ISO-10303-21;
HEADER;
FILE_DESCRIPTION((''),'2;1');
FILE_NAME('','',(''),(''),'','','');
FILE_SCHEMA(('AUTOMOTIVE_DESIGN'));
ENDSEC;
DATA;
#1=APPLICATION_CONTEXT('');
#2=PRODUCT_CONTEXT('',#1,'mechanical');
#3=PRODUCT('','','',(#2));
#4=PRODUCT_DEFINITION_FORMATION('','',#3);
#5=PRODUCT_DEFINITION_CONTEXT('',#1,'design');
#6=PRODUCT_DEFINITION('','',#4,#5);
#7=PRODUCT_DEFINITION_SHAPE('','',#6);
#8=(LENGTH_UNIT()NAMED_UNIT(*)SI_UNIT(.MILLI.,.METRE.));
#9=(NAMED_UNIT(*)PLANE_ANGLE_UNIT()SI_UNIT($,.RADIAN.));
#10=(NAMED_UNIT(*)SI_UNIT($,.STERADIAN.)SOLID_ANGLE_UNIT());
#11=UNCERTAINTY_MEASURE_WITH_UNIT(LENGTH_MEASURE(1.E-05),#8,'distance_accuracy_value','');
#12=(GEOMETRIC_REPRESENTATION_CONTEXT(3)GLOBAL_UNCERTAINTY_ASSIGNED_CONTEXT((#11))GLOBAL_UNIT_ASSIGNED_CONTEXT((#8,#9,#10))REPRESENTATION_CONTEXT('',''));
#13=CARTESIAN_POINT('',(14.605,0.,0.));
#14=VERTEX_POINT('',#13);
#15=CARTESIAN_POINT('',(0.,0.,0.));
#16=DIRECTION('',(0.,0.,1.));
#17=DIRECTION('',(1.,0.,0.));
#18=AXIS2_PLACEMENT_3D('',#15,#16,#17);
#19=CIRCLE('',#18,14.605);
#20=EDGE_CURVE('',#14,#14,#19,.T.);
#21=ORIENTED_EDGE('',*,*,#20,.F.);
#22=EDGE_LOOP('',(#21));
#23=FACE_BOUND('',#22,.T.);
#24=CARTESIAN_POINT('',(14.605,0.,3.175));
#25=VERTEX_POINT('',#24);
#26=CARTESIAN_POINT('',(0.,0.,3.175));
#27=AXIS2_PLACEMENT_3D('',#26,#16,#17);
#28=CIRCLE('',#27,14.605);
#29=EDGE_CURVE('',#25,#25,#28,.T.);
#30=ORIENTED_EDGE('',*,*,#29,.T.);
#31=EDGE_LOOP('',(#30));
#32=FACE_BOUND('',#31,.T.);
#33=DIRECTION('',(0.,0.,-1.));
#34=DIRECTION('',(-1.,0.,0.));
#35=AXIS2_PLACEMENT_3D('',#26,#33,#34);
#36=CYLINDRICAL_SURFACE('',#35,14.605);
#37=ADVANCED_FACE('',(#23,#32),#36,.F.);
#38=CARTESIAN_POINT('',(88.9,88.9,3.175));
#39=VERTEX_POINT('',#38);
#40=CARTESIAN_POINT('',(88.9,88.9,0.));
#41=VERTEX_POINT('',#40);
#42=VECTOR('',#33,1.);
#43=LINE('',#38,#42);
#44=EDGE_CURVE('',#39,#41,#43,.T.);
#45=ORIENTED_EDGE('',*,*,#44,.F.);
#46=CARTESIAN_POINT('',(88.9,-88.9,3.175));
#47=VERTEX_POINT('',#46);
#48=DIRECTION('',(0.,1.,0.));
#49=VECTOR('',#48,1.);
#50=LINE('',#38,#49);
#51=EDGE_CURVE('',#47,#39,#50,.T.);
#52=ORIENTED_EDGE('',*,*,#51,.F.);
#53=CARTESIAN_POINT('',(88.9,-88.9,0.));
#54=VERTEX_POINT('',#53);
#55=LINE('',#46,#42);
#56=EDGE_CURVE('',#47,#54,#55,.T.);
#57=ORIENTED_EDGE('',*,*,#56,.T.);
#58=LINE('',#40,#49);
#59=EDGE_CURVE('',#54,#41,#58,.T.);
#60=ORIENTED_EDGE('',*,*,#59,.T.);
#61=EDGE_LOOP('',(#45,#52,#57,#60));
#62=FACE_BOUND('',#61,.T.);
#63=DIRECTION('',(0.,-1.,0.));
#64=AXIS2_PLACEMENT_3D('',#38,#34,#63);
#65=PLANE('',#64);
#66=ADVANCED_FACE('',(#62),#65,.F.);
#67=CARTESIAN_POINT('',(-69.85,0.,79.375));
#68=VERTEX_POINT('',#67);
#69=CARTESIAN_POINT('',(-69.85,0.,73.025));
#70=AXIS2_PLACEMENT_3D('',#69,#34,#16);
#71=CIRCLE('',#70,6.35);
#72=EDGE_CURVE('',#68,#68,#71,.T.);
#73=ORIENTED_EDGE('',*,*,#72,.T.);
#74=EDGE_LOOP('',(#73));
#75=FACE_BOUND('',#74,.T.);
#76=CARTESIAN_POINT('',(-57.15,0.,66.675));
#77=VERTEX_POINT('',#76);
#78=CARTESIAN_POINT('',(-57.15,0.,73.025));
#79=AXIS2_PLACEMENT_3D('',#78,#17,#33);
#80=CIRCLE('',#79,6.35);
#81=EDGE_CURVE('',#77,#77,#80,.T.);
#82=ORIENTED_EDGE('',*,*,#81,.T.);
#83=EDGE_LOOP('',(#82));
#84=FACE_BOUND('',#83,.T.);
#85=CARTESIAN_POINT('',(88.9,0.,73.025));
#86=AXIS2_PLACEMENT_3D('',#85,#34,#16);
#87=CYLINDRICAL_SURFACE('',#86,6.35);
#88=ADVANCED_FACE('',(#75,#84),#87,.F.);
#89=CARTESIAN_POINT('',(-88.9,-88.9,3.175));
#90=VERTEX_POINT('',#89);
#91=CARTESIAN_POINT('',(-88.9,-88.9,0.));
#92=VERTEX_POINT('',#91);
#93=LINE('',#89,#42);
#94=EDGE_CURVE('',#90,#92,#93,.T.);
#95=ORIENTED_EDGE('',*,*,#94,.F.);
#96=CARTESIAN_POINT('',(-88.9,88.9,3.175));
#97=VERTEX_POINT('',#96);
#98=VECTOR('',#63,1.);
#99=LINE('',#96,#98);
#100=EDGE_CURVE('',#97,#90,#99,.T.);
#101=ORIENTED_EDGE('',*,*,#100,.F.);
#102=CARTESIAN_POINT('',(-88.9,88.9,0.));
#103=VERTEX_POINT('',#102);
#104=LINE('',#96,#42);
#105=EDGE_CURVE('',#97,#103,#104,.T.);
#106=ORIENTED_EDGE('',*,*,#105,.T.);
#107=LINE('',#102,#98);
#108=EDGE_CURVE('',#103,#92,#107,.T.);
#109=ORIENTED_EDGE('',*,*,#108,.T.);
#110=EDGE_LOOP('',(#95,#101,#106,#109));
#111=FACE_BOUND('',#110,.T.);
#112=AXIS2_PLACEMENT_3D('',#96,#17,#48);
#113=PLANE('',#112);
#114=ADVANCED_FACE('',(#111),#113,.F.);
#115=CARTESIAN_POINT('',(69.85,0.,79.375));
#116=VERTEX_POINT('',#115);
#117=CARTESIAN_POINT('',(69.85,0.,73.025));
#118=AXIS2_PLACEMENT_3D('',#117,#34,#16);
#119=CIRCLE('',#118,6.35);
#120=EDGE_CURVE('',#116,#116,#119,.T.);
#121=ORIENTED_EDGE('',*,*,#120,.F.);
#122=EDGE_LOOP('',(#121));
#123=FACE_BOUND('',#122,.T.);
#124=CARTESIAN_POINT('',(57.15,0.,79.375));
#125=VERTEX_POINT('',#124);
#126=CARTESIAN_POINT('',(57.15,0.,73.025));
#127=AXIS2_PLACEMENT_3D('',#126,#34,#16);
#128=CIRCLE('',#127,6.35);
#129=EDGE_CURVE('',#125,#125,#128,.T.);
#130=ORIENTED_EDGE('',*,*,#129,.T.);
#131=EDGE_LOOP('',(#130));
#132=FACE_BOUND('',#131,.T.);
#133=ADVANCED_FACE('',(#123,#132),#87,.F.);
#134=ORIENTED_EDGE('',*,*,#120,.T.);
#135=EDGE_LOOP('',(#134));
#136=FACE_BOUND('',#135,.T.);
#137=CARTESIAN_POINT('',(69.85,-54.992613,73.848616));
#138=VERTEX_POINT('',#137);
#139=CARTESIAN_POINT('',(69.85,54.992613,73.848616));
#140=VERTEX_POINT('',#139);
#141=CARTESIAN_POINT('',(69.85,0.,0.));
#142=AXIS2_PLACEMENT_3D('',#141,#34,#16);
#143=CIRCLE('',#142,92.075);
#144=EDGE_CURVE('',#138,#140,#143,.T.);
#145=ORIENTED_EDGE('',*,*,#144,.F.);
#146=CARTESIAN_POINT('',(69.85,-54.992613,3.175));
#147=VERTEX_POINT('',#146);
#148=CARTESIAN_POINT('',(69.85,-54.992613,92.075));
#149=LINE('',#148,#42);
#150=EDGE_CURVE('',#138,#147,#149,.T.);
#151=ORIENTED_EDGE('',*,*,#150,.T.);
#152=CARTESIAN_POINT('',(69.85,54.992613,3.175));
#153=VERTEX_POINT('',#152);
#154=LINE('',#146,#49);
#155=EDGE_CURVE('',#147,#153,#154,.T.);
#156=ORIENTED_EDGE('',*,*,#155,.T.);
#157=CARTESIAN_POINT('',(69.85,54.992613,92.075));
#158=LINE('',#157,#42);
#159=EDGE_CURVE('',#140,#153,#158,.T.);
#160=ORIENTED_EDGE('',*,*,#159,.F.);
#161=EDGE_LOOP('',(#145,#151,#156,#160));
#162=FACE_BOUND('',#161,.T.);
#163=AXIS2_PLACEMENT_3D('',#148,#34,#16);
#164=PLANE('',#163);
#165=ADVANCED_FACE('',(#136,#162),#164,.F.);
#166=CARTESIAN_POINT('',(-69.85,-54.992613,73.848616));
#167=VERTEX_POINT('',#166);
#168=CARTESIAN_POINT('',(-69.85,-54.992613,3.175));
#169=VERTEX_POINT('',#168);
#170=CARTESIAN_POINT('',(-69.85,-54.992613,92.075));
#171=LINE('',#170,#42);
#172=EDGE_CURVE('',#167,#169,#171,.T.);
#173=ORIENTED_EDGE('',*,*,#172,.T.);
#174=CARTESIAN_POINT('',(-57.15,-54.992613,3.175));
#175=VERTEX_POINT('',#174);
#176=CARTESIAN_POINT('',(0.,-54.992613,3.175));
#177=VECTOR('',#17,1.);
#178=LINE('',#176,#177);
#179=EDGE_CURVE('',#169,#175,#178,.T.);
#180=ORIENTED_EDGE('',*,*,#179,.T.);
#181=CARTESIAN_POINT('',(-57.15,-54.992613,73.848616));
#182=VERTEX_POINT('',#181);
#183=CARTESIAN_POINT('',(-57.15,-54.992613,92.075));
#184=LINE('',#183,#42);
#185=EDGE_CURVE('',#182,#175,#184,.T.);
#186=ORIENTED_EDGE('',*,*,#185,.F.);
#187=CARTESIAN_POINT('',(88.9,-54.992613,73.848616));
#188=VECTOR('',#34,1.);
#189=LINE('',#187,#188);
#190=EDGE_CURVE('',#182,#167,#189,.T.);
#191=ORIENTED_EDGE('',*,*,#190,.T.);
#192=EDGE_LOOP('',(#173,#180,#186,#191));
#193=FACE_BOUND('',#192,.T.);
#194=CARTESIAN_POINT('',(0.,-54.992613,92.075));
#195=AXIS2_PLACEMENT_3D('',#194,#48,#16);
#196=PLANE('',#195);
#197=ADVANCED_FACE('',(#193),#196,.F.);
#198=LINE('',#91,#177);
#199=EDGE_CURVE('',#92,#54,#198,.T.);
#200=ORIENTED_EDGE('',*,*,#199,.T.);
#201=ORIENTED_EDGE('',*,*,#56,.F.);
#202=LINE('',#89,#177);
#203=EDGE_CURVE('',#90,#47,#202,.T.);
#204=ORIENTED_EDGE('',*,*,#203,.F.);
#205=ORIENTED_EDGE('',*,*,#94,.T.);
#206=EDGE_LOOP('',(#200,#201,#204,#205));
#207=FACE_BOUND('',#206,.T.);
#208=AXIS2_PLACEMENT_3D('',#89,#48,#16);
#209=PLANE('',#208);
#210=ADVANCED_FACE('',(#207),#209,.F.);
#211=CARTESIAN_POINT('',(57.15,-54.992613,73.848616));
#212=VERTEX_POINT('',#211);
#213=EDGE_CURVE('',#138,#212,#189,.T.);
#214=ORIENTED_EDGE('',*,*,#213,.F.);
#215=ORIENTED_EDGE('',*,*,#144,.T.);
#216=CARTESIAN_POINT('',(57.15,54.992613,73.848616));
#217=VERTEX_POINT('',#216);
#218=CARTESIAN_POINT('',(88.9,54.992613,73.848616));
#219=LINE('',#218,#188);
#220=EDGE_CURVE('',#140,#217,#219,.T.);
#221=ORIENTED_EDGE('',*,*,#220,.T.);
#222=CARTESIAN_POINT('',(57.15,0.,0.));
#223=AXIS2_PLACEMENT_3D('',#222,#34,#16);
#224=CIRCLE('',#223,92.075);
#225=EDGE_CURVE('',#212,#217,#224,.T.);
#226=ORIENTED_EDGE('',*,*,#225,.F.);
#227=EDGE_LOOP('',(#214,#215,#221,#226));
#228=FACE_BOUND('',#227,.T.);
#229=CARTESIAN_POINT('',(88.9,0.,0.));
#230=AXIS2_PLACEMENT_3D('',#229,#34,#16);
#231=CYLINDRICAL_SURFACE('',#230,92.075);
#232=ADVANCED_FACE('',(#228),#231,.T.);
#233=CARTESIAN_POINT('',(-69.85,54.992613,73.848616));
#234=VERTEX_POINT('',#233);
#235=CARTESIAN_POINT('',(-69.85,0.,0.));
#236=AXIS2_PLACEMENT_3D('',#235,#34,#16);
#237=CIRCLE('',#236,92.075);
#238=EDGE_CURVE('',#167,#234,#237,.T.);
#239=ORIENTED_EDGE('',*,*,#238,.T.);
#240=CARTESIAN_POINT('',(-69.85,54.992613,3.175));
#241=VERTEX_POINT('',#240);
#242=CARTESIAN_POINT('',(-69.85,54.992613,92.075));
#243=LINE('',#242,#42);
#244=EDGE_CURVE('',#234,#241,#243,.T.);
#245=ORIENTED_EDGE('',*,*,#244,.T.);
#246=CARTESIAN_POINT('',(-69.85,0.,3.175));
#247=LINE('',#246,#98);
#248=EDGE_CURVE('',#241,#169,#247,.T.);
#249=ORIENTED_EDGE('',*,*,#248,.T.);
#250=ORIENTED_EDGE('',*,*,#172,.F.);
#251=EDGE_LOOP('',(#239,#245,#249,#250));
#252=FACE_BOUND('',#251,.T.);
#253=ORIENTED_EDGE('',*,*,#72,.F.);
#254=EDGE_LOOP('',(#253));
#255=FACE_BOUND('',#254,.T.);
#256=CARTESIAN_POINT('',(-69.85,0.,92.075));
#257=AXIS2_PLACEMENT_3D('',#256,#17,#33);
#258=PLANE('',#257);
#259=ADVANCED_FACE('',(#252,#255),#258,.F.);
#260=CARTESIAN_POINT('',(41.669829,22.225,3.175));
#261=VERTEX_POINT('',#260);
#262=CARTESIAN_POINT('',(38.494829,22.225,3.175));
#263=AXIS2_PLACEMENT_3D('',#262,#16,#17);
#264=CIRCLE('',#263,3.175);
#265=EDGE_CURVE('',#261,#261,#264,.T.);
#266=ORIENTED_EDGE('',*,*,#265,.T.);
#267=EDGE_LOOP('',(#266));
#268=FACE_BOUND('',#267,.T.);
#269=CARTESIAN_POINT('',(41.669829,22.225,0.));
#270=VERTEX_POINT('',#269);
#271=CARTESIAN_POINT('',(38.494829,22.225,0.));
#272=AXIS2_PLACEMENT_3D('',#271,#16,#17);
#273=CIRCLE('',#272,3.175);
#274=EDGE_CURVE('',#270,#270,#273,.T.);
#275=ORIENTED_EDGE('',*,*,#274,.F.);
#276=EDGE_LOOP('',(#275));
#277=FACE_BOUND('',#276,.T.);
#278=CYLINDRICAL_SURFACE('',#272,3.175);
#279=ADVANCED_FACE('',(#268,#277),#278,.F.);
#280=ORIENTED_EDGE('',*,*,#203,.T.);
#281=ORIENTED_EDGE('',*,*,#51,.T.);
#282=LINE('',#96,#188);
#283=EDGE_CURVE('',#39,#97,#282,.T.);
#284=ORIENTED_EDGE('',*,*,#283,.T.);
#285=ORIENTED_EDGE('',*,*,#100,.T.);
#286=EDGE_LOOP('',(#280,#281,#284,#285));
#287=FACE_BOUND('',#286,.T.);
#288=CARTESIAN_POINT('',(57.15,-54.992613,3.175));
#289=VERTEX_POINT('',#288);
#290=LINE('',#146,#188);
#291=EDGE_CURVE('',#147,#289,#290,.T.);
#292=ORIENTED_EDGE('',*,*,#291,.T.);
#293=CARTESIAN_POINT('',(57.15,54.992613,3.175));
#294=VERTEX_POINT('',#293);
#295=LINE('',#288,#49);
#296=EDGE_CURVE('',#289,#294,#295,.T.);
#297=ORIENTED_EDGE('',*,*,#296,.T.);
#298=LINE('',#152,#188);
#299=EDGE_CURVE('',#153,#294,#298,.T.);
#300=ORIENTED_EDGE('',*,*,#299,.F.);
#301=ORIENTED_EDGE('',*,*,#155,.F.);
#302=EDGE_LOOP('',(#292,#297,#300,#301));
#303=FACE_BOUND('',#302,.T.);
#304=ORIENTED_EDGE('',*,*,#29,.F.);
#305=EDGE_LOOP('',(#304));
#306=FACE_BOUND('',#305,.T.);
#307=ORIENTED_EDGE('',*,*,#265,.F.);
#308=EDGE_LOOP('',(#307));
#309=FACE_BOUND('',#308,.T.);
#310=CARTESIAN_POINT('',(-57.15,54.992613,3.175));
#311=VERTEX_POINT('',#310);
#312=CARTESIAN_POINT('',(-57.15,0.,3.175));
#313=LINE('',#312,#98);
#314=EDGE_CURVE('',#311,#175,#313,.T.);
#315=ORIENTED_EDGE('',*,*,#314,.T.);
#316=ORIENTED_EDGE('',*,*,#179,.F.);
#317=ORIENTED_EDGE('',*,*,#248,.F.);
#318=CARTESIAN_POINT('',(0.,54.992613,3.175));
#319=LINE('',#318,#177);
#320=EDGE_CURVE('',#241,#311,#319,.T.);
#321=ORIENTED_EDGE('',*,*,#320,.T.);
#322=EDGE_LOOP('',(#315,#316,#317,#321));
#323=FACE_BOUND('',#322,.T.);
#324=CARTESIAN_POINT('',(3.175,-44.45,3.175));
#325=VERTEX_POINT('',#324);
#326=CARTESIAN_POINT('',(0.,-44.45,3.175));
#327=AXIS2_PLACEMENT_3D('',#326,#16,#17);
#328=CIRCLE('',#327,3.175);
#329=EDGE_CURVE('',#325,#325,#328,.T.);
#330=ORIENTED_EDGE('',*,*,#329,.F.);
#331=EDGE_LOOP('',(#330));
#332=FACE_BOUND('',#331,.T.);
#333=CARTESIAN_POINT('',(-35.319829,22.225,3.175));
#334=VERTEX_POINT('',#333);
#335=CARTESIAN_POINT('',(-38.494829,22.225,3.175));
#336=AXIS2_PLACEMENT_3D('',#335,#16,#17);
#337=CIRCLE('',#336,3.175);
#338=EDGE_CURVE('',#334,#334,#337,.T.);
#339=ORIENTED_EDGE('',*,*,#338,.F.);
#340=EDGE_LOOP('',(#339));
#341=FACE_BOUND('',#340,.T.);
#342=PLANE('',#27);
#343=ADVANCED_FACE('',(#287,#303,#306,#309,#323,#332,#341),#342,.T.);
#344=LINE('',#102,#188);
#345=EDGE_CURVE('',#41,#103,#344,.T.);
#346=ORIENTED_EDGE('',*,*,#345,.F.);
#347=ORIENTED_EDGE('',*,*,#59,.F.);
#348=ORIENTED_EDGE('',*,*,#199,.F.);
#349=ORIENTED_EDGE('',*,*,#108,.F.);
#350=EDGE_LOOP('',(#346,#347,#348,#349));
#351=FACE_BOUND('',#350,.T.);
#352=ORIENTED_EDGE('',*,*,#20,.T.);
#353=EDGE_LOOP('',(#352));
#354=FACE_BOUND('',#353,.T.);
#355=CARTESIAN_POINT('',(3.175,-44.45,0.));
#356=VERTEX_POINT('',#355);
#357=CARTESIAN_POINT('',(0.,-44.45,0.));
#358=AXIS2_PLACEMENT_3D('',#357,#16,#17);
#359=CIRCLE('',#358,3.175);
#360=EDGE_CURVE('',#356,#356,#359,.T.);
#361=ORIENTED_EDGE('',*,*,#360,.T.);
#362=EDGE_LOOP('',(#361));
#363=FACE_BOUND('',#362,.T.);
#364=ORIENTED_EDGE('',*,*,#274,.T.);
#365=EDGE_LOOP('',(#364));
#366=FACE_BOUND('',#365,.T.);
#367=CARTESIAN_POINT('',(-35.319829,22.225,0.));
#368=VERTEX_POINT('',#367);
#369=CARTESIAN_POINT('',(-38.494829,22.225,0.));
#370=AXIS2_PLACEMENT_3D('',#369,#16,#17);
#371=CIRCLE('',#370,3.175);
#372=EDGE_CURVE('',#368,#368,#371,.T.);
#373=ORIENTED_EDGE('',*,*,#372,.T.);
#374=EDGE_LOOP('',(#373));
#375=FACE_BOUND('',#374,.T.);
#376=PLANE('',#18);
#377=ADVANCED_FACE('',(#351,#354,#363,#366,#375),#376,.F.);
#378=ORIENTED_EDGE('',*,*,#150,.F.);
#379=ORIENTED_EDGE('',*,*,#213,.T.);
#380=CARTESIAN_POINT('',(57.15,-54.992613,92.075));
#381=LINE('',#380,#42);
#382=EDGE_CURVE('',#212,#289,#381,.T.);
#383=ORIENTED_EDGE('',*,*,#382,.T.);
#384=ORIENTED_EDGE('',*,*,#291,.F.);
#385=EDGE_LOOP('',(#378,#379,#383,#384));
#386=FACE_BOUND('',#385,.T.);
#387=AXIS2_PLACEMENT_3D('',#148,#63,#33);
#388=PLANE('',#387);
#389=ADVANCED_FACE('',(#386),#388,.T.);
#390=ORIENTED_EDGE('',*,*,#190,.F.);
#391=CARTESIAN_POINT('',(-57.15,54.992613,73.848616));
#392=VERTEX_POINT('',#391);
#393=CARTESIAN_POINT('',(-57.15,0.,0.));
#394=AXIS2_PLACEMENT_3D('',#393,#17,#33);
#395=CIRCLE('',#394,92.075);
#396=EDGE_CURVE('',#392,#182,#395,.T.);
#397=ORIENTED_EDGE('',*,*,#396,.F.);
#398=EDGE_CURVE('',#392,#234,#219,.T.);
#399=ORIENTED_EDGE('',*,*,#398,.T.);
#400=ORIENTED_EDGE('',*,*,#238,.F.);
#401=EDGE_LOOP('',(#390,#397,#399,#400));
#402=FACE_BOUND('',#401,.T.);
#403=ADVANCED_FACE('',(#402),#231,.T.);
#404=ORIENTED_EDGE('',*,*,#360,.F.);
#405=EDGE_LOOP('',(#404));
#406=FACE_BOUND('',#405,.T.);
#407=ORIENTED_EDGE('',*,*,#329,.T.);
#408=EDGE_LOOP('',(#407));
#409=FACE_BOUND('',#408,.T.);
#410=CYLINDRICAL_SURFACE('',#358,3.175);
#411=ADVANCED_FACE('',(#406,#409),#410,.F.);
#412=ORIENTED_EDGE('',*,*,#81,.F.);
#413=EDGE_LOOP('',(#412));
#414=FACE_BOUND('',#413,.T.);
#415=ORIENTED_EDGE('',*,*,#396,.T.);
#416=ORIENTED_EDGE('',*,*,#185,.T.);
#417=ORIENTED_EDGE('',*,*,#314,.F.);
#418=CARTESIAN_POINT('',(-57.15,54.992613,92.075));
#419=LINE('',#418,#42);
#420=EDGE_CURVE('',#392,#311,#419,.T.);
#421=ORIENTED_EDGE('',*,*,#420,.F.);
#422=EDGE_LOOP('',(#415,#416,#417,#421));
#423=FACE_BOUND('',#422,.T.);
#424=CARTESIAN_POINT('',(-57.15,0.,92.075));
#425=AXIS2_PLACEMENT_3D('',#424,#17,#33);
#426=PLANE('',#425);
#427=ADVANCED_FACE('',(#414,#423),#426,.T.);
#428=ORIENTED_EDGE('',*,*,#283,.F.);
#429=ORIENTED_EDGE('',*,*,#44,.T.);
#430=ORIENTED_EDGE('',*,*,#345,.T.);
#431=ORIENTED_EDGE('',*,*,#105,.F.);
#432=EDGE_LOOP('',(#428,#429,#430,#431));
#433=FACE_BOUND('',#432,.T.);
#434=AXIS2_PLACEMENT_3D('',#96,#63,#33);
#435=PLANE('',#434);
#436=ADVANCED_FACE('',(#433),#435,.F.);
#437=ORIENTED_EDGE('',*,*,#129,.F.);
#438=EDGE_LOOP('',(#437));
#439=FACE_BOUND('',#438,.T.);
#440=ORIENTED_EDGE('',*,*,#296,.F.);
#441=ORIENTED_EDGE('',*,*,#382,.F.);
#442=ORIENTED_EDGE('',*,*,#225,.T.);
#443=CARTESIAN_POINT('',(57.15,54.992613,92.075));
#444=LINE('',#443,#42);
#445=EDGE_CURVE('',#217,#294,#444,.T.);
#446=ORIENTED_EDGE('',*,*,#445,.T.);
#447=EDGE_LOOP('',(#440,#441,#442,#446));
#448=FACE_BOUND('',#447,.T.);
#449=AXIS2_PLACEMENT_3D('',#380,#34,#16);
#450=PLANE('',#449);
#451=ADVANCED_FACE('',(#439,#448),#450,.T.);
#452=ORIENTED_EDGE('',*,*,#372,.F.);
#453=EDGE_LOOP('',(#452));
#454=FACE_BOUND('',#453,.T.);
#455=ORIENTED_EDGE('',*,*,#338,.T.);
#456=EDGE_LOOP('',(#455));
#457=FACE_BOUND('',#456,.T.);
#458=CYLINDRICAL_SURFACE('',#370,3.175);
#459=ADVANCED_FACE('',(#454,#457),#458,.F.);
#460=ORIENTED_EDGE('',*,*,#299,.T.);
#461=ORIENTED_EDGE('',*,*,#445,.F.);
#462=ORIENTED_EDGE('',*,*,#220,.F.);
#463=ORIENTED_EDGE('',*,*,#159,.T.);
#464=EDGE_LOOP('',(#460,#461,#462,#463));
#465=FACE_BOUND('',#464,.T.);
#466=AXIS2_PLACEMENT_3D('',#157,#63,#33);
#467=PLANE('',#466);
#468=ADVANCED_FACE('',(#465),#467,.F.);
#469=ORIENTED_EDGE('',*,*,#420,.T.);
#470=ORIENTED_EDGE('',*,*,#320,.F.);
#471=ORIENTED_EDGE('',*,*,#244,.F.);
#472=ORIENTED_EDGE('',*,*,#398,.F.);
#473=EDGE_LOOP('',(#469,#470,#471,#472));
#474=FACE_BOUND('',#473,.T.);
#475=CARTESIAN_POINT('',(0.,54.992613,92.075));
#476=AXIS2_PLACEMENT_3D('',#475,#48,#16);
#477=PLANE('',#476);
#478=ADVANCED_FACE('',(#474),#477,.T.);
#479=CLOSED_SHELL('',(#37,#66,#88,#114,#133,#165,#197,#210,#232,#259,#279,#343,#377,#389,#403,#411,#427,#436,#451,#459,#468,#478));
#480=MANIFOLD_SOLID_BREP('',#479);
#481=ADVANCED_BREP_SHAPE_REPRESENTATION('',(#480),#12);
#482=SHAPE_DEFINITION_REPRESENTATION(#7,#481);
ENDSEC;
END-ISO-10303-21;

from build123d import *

# Parameters (mm, degrees)
SKETCH1_W           = 177.8
SKETCH1_H           = 177.8
SKETCH1_R           = 14.605
BOSS_EXTRUDE1_DEPTH = 3.175
SKETCH2_R           = 3.175
CUT_EXTRUDE1_DEPTH  = 126.763669734
SKETCH2_3_W         = 12.7
SKETCH2_3_H         = 109.98522628
BOSS_EXTRUDE2_DEPTH = 88.9
SKETCH3_R           = 6.35
CUT_EXTRUDE2_DEPTH  = 204.918067186


with BuildPart() as part:
    # Sketch1 → Boss-Extrude1 (new body)
    with BuildSketch(Plane.XY):
        Rectangle(SKETCH1_W, SKETCH1_H)
        Circle(SKETCH1_R, mode=Mode.SUBTRACT)
    extrude(amount=BOSS_EXTRUDE1_DEPTH)

    # Sketch2 → Cut-Extrude1 (cut, through all)
    with BuildSketch(Plane.XY.offset(3.175)):
        with Locations((-38.494829198, 22.225)):
            Circle(SKETCH2_R)
        with Locations((0, -44.45)):
            Circle(SKETCH2_R)
        with Locations((38.494829198, 22.225)):
            Circle(SKETCH2_R)
    extrude(amount=-CUT_EXTRUDE1_DEPTH, mode=Mode.SUBTRACT)

    # Sketch2<3> → Boss-Extrude2 (add)
    with BuildSketch(Plane.XY.offset(3.175)):
        with Locations((-63.5, 0)):
            Rectangle(SKETCH2_3_W, SKETCH2_3_H)
        with Locations((63.5, 0)):
            Rectangle(SKETCH2_3_W, SKETCH2_3_H)
    extrude(amount=BOSS_EXTRUDE2_DEPTH)

    # Sketch3 → Cut-Extrude2 (cut, through all)
    with BuildSketch(Plane.ZY.offset(69.85)):
        with Locations((73.025, 0)):
            Circle(SKETCH3_R)
        with BuildLine():
            ThreePointArc((73.84861627, 54.99261314), (87.399705286, 28.967173507), (92.075, 0))
            Line((92.075, 0), (92.075, 54.99261314))
            Line((92.075, 54.99261314), (73.84861627, 54.99261314))
        make_face()
        with BuildLine():
            Line((92.075, -54.99261314), (92.075, 0))
            ThreePointArc((92.075, 0), (87.399705286, -28.967173507), (73.84861627, -54.99261314))
            Line((73.84861627, -54.99261314), (92.075, -54.99261314))
        make_face()
    extrude(amount=-CUT_EXTRUDE2_DEPTH, mode=Mode.SUBTRACT)


solid = part.part
